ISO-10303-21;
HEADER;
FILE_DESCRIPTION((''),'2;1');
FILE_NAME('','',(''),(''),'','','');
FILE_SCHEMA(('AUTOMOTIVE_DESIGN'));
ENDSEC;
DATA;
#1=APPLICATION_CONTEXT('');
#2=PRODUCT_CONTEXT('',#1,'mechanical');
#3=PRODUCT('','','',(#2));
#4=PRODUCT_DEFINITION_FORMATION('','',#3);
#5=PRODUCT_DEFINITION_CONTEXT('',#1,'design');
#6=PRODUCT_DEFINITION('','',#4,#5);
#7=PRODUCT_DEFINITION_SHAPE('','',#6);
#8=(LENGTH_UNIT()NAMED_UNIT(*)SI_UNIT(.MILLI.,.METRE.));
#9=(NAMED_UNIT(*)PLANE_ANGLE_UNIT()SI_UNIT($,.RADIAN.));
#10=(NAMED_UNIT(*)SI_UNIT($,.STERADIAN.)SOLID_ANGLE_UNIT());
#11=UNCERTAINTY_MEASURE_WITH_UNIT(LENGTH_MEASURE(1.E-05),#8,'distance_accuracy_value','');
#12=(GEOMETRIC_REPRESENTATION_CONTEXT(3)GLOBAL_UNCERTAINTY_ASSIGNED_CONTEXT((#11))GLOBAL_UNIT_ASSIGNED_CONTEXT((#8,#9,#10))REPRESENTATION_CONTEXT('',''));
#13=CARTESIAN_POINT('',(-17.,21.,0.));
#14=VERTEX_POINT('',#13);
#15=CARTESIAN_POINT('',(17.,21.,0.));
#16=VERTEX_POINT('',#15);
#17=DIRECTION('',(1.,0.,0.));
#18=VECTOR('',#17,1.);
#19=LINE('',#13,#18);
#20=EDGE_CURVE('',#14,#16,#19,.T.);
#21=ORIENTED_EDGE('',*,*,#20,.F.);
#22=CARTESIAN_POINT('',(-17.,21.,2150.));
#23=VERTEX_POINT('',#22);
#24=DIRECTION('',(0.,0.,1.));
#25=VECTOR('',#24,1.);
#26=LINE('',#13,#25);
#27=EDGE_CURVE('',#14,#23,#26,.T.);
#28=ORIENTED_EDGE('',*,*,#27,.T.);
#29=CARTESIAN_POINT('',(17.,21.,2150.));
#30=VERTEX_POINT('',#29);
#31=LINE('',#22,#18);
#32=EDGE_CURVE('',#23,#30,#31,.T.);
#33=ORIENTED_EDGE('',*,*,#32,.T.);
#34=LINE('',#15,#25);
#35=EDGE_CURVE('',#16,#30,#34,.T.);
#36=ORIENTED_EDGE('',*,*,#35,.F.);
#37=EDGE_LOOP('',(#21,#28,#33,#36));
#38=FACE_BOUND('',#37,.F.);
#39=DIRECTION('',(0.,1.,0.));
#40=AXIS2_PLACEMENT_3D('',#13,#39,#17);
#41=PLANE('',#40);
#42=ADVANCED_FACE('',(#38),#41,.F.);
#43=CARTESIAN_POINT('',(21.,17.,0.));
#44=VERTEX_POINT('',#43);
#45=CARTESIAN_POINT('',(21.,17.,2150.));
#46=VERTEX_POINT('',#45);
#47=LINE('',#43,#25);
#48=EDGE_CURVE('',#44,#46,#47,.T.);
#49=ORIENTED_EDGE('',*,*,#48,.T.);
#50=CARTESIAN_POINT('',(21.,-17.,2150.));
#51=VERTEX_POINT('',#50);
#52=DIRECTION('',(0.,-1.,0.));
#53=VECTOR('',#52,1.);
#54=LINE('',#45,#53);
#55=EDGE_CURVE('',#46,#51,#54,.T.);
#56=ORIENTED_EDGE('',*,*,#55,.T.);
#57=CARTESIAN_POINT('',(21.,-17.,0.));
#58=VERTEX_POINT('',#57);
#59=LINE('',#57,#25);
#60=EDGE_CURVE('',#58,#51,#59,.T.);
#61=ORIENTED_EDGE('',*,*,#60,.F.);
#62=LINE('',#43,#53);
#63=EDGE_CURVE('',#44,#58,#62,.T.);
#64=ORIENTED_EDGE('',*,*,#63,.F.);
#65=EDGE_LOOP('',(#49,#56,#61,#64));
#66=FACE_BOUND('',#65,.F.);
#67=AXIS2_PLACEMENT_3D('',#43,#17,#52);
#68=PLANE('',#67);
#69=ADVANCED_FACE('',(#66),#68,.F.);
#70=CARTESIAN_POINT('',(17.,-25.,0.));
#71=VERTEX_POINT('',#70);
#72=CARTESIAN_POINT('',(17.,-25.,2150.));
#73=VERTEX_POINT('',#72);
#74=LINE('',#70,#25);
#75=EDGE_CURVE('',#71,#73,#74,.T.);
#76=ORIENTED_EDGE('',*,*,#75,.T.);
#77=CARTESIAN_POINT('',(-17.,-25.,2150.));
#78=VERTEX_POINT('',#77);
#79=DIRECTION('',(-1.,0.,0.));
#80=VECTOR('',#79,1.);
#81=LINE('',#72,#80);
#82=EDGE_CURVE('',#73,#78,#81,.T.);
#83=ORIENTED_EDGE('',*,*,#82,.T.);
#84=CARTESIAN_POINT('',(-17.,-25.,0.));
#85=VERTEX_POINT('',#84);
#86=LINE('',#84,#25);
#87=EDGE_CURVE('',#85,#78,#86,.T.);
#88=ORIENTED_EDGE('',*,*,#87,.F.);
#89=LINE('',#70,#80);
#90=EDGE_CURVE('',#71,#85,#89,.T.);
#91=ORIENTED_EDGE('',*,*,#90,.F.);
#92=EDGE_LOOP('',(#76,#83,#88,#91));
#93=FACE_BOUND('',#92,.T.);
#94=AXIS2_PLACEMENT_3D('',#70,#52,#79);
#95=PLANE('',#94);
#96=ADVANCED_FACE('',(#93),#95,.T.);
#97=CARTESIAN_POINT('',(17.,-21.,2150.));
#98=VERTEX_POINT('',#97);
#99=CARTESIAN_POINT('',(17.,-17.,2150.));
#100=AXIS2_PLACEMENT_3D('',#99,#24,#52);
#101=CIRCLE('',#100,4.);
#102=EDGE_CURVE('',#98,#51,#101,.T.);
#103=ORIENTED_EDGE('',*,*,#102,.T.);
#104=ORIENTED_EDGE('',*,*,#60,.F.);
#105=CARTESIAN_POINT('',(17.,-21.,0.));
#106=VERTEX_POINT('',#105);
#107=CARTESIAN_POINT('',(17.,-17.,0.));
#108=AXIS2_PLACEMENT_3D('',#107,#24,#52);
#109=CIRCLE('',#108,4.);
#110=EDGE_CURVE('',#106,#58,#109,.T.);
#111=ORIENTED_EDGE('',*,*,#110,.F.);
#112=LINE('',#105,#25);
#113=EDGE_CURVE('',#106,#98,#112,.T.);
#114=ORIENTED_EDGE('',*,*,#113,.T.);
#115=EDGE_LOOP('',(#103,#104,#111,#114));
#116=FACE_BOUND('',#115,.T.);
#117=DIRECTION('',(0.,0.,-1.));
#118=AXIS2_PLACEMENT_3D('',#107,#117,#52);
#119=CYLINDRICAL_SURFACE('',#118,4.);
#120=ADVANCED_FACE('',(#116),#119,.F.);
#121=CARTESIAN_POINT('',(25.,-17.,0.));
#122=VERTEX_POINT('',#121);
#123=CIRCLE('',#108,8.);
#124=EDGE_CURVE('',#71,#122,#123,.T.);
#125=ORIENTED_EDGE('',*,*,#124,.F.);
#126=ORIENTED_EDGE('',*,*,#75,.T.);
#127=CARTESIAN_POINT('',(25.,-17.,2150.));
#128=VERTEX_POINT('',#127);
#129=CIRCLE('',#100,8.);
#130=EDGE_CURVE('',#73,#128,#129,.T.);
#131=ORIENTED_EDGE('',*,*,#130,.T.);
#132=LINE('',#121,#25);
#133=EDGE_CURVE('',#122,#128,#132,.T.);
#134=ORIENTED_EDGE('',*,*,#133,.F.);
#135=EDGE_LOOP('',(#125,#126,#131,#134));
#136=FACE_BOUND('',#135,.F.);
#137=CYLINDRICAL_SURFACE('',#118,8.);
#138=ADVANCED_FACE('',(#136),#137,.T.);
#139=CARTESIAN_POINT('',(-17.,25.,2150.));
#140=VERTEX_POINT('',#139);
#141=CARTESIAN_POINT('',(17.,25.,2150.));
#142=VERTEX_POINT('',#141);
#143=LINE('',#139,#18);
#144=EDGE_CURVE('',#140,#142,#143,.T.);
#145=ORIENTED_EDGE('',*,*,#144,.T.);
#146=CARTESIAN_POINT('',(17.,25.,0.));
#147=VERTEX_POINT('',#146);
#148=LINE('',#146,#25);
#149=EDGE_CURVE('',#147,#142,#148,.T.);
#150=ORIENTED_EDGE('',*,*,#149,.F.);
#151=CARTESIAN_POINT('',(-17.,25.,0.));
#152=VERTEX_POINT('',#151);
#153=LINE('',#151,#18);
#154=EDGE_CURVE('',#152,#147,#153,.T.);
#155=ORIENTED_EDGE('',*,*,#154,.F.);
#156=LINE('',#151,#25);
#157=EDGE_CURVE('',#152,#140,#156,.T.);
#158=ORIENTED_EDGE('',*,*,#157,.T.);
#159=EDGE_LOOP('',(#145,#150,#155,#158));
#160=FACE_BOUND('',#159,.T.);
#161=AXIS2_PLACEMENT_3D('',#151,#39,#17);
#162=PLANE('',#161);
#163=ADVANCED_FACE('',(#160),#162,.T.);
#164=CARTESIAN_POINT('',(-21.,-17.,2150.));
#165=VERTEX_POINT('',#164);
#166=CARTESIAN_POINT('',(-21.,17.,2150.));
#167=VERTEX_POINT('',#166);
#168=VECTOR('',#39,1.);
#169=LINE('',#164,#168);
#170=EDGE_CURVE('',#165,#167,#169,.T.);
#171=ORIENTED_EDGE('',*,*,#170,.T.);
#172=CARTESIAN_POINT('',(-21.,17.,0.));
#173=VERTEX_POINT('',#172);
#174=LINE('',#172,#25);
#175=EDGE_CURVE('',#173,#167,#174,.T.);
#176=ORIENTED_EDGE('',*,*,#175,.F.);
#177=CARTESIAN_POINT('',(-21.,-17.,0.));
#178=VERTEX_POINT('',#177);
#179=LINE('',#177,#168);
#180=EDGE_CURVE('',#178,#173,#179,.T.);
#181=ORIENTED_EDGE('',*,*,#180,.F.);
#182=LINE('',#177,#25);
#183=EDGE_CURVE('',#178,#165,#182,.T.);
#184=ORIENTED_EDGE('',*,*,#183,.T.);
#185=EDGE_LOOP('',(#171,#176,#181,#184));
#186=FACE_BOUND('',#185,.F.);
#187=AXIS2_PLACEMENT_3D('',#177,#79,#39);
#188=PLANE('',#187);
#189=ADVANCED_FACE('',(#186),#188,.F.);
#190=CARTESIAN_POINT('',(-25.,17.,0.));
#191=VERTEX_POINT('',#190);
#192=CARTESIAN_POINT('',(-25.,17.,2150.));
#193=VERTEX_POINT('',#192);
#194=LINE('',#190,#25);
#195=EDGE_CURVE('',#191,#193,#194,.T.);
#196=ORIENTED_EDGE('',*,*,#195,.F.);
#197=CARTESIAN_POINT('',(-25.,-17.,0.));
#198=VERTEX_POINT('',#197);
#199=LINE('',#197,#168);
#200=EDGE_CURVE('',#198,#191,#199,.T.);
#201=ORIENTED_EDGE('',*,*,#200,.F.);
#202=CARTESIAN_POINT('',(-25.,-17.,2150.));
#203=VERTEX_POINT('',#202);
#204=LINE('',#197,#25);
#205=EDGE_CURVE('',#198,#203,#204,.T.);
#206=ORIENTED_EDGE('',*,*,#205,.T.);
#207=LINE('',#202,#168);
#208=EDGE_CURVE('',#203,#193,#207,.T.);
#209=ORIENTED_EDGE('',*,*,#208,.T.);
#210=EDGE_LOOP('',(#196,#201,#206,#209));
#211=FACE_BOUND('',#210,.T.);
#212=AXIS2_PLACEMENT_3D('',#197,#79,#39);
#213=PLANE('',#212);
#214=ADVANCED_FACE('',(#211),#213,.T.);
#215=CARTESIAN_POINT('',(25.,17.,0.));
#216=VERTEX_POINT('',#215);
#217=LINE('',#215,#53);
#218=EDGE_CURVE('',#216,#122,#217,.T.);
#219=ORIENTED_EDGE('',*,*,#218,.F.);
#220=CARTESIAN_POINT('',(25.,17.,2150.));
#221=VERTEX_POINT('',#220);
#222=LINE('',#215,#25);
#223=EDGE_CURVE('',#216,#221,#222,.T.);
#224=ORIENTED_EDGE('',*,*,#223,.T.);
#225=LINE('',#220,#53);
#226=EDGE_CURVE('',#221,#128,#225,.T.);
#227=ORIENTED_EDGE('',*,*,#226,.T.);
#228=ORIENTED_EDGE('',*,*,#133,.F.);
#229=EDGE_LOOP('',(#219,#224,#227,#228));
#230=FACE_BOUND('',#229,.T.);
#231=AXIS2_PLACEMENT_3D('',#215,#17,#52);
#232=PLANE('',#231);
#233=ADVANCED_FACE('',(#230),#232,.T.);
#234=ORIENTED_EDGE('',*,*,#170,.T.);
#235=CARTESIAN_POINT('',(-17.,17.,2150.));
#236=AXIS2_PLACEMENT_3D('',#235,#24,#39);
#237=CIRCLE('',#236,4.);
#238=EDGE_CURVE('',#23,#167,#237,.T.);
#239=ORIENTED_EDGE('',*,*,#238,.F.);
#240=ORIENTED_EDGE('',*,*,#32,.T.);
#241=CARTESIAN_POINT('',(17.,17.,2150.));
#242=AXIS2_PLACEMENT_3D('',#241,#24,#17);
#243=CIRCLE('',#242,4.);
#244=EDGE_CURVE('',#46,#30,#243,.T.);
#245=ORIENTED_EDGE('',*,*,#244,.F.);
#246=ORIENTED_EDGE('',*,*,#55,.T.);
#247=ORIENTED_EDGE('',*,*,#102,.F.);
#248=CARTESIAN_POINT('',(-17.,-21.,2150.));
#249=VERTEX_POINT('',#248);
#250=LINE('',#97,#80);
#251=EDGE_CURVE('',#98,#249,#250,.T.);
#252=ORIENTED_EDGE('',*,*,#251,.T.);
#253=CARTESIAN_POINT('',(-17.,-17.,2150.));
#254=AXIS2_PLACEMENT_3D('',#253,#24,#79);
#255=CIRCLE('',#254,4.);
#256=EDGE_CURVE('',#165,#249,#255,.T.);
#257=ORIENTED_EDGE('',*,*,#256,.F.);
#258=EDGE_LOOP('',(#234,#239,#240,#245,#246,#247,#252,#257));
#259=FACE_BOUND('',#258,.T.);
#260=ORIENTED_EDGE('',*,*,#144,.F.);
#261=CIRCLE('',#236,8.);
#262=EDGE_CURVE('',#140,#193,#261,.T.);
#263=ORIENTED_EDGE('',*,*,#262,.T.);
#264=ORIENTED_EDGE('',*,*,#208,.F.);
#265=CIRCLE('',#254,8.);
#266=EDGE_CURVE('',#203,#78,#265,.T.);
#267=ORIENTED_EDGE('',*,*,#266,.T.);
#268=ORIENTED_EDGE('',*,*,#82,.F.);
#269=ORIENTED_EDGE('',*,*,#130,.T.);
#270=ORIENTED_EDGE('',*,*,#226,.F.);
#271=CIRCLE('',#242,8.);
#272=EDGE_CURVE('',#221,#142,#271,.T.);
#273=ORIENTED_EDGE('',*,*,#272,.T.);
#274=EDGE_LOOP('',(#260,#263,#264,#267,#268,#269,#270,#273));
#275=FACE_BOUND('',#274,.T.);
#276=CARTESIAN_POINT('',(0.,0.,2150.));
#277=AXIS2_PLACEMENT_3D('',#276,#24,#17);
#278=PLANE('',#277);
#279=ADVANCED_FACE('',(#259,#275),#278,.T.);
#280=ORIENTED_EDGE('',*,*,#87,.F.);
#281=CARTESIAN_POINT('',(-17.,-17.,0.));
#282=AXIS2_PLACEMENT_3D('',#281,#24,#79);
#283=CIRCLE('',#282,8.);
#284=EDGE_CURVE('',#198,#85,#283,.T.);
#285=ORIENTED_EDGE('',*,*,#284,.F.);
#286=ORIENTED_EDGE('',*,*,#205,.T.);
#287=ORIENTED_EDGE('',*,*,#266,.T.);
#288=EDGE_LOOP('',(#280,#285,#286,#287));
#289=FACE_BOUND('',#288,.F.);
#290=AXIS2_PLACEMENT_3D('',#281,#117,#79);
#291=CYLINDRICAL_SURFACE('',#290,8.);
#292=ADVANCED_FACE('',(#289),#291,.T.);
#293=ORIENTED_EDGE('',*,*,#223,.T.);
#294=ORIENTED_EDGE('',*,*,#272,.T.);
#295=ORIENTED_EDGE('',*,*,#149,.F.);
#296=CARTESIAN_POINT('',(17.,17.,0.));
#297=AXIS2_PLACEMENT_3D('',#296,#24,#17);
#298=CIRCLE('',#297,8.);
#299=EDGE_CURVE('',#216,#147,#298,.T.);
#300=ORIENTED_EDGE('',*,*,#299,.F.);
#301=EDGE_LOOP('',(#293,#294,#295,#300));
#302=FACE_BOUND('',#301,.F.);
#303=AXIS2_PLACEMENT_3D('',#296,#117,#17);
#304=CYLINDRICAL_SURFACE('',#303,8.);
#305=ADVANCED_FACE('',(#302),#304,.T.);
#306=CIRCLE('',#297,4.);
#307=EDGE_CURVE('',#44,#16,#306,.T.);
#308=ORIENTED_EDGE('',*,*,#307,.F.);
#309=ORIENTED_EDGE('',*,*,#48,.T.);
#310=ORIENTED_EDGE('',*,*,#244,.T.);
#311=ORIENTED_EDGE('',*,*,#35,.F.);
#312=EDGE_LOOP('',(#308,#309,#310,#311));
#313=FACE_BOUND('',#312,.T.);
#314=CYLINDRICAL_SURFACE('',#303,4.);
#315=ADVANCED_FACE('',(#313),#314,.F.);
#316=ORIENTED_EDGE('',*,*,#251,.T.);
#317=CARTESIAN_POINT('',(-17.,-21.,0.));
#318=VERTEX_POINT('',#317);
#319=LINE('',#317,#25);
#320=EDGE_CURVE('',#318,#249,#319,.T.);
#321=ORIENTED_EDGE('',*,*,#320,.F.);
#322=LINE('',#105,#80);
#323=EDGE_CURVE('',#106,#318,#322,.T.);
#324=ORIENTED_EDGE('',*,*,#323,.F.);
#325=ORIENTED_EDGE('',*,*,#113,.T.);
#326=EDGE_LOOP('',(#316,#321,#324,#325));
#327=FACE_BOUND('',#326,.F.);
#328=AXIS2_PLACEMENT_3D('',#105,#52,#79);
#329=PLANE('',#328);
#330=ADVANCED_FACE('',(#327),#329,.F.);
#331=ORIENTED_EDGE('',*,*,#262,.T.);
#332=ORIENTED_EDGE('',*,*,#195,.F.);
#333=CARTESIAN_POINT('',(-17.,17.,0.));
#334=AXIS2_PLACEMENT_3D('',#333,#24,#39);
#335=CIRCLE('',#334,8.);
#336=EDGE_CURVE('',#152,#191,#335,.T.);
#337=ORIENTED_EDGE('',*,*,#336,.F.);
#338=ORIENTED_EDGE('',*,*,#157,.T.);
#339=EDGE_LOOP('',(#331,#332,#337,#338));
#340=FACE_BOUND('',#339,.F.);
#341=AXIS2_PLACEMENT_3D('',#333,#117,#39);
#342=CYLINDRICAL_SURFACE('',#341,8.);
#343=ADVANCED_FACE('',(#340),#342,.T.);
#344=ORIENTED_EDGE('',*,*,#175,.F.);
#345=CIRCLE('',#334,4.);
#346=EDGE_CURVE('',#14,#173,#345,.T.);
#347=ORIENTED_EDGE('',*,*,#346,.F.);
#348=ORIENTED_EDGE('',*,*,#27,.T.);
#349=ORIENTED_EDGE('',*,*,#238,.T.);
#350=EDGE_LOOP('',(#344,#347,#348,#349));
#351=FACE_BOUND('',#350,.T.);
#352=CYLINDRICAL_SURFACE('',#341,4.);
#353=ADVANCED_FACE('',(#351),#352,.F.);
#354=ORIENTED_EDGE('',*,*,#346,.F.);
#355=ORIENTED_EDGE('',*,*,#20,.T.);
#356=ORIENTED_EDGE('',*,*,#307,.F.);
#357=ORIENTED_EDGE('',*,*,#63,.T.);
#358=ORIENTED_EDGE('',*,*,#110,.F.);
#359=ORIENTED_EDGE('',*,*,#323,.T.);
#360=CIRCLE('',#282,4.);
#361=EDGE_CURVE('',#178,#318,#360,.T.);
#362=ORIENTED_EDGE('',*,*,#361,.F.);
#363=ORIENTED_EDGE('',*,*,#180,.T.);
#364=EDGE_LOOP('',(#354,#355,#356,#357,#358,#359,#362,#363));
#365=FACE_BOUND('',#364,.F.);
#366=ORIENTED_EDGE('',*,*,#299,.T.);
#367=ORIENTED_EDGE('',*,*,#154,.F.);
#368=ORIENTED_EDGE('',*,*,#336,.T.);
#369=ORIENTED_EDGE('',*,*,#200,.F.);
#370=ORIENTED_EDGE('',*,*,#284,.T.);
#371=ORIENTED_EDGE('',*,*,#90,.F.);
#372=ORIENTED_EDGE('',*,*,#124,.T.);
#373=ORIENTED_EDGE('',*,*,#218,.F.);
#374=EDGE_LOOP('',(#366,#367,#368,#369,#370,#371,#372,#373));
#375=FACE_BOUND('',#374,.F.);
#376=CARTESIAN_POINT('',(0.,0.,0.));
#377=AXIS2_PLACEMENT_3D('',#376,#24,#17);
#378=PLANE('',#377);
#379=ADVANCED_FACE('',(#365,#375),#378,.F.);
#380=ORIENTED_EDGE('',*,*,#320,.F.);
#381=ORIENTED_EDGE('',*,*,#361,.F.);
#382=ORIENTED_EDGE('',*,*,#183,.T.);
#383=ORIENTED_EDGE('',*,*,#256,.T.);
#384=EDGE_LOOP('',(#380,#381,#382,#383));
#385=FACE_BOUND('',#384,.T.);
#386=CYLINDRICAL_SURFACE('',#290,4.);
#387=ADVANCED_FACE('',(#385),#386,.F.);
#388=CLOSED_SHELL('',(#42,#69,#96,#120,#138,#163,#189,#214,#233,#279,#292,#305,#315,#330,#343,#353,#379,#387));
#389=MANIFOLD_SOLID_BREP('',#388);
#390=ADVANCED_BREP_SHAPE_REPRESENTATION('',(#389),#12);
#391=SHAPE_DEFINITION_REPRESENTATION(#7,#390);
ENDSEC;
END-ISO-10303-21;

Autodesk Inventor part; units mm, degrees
ref_plane "YZ Plane" through (0, 0, 0) normal (1, 0, 0) x (0, 1, 0)
ref_plane "Start Plane" through (0, 0, 0) normal (0, 0, 1) x (1, 0, 0)
ref_plane "End Plane" through (0, 0, 2150) normal (0, 0, 1) x (1, 0, 0)
sketch "Sketch" plane through (0, 0, 0) normal (0, 0, 1) x (1, 0, 0)
  line L0 (-25, -17) -> (-25, 17)
  line L1 (-17, 25) -> (17, 25)
  line L2 (25, 17) -> (25, -17)
  line L3 (17, -25) -> (-17, -25)
  arc A0 (-25, -17) -> (-17, -25) centre (-17, -17) ccw
  arc A1 (25, 17) -> (17, 25) centre (17, 17) ccw
  arc A2 (-17, 25) -> (-25, 17) centre (-17, 17) ccw
  arc A3 (17, -25) -> (25, -17) centre (17, -17) ccw
  arc A4 (-17, 21) -> (-21, 17) centre (-17, 17) ccw
  line L4 (-17, 21) -> (17, 21)
  arc A5 (21, 17) -> (17, 21) centre (17, 17) ccw
  line L5 (21, 17) -> (21, -17)
  arc A6 (17, -21) -> (21, -17) centre (17, -17) ccw
  line L6 (17, -21) -> (-17, -21)
  arc A7 (-21, -17) -> (-17, -21) centre (-17, -17) ccw
  line L7 (-21, -17) -> (-21, 17)
  line L8 (0, 37.3196) -> (0, -37.3196) construction
  line L9 (-37.3196, 0) -> (37.3196, 0) construction
  dimension "d7" = 8
  dimension "d9" = 50
  dimension "d11" = 50
  dimension "d12" = 4
  dimension "d15" = 25
  dimension "d16" = 25
extrude "Body" add sketch "Sketch" along normal up to surface (2150 mm away) from surface at 0
sketch "Sketch3" plane through (0, 0, 0) normal (0, 0, 1) x (1, 0, 0)
  line L0 (0, 0) -> (10, 0)
ref_plane "Work Plane3" through (0, 0, 0) normal (0, -1, 0) x (1, 0, 0)
sketch "Sketch4" plane through (0, 0, 0) normal (0, -1, 0) x (1, 0, 0)
  line L0 (-2, 0) -> (12, 0) projected
  line L1 (-2, 2150) -> (12, 2150) projected
  dimension "d18" = 2150
equation "\"d7\" = G_IR"
equation "\"d9\" = G_W"
equation "\"d11\" = G_H"
equation "\"d12\" = G_T"
equation "\"d15\" = 0.5 * d9"
equation "\"d16\" = 0.5 * d11"
equation "\"d3\" = G_L"
equation "\"G_W\" = 50"
equation "\"G_H\" = 50"
equation "\"G_T\" = 4"
equation "\"G_IR\" = 8"
equation "\"G_L\" = d18"
equation "\"G_OFFSET_START\" = 0"
equation "\"G_OFFSET_END\" = 0"
properties part number "ISO 4019 - 50x50x4 - 2150" material "Steel, Mild"
